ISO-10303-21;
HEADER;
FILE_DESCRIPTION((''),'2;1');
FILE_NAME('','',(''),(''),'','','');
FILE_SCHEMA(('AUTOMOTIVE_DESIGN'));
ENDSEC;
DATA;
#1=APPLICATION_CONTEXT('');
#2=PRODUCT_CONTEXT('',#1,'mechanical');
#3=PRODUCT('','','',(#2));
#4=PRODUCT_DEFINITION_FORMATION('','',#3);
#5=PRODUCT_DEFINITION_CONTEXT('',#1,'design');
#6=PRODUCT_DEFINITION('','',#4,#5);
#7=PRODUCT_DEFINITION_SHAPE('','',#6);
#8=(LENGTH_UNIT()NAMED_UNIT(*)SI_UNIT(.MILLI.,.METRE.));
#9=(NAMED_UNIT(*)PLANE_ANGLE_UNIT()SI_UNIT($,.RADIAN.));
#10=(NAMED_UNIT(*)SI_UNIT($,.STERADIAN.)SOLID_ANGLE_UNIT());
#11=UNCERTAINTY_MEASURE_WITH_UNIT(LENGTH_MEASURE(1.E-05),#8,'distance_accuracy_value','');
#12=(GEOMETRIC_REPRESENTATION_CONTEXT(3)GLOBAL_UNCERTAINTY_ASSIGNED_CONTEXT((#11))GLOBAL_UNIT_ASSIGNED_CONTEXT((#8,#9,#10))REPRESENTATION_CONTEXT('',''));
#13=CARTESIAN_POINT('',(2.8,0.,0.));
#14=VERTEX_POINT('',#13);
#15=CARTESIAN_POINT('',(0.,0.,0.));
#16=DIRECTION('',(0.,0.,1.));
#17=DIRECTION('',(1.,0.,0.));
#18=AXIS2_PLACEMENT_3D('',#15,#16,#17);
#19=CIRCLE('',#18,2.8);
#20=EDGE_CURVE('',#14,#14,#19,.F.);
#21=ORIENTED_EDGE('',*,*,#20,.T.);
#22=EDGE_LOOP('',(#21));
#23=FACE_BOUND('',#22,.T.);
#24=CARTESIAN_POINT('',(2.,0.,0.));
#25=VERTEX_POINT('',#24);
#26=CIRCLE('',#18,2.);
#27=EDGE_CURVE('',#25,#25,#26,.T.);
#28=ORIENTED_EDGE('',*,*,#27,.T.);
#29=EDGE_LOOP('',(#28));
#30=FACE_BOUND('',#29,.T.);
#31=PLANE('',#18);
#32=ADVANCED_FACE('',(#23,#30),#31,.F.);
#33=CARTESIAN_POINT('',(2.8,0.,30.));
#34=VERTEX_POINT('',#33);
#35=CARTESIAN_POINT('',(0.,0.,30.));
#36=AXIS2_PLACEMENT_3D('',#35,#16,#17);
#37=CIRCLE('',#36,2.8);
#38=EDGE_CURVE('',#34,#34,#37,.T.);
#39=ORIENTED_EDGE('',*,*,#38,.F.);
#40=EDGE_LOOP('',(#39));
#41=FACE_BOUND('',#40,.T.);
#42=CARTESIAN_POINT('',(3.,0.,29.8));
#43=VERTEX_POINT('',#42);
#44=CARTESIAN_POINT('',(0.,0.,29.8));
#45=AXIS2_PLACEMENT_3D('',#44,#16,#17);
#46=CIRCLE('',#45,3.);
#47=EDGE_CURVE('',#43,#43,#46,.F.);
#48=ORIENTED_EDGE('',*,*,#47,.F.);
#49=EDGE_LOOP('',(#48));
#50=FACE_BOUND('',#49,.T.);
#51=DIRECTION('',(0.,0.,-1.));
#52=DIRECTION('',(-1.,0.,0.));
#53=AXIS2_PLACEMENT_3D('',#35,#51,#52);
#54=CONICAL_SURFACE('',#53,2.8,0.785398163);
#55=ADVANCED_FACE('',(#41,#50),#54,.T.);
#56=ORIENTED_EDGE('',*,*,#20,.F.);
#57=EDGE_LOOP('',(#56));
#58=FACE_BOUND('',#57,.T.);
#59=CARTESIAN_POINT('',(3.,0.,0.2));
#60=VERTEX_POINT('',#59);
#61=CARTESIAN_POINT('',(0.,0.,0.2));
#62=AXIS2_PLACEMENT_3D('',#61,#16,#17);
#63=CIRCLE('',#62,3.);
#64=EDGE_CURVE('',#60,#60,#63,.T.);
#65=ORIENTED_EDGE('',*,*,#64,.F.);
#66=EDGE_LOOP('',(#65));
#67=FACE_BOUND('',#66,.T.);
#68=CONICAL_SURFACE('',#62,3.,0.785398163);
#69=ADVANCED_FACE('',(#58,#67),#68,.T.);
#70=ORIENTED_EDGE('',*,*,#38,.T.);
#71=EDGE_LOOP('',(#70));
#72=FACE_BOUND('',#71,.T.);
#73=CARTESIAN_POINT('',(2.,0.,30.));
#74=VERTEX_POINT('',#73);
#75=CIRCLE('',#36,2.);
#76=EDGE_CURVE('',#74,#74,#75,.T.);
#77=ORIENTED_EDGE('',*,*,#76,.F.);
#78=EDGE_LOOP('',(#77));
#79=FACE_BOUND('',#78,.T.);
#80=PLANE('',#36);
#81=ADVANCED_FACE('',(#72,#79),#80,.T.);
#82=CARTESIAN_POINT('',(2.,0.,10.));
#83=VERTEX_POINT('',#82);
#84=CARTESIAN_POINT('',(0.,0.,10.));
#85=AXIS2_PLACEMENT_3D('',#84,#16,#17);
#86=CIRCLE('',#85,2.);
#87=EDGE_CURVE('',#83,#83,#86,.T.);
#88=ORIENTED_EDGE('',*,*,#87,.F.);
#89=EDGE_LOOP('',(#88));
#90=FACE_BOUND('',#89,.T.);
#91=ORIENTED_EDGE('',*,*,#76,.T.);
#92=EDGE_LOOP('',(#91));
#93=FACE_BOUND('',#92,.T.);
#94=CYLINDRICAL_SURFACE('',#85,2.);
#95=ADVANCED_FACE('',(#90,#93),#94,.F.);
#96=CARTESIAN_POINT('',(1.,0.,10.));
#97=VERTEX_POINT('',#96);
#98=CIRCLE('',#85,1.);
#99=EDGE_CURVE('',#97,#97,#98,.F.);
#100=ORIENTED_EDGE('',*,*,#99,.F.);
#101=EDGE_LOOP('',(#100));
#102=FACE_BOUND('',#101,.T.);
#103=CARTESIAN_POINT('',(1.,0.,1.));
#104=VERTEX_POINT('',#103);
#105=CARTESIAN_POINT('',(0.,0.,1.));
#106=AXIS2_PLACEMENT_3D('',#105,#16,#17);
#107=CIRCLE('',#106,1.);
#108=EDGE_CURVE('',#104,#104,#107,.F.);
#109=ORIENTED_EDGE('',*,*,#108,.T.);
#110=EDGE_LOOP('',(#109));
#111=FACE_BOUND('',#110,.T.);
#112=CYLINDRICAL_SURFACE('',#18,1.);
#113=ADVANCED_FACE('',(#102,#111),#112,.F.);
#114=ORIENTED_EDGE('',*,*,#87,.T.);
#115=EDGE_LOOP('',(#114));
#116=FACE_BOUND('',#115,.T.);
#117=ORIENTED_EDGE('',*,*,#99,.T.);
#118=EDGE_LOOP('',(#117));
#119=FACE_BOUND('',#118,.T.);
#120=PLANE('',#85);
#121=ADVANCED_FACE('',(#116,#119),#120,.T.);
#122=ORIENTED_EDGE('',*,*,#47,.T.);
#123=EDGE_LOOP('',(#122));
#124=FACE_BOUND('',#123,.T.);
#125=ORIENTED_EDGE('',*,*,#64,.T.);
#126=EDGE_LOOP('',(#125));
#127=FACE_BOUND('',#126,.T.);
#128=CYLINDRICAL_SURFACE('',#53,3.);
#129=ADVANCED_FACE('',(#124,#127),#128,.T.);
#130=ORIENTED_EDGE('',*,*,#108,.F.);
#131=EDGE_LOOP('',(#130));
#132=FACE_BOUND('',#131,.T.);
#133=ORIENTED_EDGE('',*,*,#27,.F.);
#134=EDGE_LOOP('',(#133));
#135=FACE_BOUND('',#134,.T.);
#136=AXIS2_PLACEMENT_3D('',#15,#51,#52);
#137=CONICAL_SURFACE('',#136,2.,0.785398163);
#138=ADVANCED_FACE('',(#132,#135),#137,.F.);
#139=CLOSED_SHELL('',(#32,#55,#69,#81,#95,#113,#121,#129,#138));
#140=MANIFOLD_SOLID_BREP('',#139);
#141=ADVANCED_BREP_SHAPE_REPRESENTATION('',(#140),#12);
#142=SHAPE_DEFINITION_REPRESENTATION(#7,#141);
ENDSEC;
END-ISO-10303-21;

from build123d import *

# Parameters (mm, degrees)
SKETCH_1_R          = 3
EXTRUDE_1_DEPTH     = 30
SKETCH_2_R          = 1
CUT_EXTRUDE_1_DEPTH = 30
SKETCH_3_R          = 2
CUT_EXTRUDE_2_DEPTH = 20
CHAMFER_1_SIZE      = 1
CHAMFER_2_SIZE      = 0.2


with BuildPart() as part:
    # Эскиз1 → Бобышка-Вытянуть1 (new body)
    with BuildSketch(Plane.XY):
        Circle(SKETCH_1_R)
    extrude(amount=EXTRUDE_1_DEPTH)

    # Эскиз2 → Вырез-Вытянуть1 (cut)
    with BuildSketch(Plane.XY.offset(30)):
        Circle(SKETCH_2_R)
    extrude(amount=-CUT_EXTRUDE_1_DEPTH, mode=Mode.SUBTRACT)

    # Эскиз3 → Вырез-Вытянуть2 (cut)
    with BuildSketch(Plane.XY.offset(30)):
        Circle(SKETCH_3_R)
    extrude(amount=-CUT_EXTRUDE_2_DEPTH, mode=Mode.SUBTRACT)

    # Фаска1
    chamfer_1_edges = [part.edges().sort_by_distance(p)[0] for p in [
        (-1, 0, 0),
    ]]
    chamfer(chamfer_1_edges, length=CHAMFER_1_SIZE)

    # Фаска2
    chamfer_2_edges = [part.edges().sort_by_distance(p)[0] for p in [
        (-3, 0, 0),
        (-3, 0, 30),
    ]]
    chamfer(chamfer_2_edges, length=CHAMFER_2_SIZE)


solid = part.part
